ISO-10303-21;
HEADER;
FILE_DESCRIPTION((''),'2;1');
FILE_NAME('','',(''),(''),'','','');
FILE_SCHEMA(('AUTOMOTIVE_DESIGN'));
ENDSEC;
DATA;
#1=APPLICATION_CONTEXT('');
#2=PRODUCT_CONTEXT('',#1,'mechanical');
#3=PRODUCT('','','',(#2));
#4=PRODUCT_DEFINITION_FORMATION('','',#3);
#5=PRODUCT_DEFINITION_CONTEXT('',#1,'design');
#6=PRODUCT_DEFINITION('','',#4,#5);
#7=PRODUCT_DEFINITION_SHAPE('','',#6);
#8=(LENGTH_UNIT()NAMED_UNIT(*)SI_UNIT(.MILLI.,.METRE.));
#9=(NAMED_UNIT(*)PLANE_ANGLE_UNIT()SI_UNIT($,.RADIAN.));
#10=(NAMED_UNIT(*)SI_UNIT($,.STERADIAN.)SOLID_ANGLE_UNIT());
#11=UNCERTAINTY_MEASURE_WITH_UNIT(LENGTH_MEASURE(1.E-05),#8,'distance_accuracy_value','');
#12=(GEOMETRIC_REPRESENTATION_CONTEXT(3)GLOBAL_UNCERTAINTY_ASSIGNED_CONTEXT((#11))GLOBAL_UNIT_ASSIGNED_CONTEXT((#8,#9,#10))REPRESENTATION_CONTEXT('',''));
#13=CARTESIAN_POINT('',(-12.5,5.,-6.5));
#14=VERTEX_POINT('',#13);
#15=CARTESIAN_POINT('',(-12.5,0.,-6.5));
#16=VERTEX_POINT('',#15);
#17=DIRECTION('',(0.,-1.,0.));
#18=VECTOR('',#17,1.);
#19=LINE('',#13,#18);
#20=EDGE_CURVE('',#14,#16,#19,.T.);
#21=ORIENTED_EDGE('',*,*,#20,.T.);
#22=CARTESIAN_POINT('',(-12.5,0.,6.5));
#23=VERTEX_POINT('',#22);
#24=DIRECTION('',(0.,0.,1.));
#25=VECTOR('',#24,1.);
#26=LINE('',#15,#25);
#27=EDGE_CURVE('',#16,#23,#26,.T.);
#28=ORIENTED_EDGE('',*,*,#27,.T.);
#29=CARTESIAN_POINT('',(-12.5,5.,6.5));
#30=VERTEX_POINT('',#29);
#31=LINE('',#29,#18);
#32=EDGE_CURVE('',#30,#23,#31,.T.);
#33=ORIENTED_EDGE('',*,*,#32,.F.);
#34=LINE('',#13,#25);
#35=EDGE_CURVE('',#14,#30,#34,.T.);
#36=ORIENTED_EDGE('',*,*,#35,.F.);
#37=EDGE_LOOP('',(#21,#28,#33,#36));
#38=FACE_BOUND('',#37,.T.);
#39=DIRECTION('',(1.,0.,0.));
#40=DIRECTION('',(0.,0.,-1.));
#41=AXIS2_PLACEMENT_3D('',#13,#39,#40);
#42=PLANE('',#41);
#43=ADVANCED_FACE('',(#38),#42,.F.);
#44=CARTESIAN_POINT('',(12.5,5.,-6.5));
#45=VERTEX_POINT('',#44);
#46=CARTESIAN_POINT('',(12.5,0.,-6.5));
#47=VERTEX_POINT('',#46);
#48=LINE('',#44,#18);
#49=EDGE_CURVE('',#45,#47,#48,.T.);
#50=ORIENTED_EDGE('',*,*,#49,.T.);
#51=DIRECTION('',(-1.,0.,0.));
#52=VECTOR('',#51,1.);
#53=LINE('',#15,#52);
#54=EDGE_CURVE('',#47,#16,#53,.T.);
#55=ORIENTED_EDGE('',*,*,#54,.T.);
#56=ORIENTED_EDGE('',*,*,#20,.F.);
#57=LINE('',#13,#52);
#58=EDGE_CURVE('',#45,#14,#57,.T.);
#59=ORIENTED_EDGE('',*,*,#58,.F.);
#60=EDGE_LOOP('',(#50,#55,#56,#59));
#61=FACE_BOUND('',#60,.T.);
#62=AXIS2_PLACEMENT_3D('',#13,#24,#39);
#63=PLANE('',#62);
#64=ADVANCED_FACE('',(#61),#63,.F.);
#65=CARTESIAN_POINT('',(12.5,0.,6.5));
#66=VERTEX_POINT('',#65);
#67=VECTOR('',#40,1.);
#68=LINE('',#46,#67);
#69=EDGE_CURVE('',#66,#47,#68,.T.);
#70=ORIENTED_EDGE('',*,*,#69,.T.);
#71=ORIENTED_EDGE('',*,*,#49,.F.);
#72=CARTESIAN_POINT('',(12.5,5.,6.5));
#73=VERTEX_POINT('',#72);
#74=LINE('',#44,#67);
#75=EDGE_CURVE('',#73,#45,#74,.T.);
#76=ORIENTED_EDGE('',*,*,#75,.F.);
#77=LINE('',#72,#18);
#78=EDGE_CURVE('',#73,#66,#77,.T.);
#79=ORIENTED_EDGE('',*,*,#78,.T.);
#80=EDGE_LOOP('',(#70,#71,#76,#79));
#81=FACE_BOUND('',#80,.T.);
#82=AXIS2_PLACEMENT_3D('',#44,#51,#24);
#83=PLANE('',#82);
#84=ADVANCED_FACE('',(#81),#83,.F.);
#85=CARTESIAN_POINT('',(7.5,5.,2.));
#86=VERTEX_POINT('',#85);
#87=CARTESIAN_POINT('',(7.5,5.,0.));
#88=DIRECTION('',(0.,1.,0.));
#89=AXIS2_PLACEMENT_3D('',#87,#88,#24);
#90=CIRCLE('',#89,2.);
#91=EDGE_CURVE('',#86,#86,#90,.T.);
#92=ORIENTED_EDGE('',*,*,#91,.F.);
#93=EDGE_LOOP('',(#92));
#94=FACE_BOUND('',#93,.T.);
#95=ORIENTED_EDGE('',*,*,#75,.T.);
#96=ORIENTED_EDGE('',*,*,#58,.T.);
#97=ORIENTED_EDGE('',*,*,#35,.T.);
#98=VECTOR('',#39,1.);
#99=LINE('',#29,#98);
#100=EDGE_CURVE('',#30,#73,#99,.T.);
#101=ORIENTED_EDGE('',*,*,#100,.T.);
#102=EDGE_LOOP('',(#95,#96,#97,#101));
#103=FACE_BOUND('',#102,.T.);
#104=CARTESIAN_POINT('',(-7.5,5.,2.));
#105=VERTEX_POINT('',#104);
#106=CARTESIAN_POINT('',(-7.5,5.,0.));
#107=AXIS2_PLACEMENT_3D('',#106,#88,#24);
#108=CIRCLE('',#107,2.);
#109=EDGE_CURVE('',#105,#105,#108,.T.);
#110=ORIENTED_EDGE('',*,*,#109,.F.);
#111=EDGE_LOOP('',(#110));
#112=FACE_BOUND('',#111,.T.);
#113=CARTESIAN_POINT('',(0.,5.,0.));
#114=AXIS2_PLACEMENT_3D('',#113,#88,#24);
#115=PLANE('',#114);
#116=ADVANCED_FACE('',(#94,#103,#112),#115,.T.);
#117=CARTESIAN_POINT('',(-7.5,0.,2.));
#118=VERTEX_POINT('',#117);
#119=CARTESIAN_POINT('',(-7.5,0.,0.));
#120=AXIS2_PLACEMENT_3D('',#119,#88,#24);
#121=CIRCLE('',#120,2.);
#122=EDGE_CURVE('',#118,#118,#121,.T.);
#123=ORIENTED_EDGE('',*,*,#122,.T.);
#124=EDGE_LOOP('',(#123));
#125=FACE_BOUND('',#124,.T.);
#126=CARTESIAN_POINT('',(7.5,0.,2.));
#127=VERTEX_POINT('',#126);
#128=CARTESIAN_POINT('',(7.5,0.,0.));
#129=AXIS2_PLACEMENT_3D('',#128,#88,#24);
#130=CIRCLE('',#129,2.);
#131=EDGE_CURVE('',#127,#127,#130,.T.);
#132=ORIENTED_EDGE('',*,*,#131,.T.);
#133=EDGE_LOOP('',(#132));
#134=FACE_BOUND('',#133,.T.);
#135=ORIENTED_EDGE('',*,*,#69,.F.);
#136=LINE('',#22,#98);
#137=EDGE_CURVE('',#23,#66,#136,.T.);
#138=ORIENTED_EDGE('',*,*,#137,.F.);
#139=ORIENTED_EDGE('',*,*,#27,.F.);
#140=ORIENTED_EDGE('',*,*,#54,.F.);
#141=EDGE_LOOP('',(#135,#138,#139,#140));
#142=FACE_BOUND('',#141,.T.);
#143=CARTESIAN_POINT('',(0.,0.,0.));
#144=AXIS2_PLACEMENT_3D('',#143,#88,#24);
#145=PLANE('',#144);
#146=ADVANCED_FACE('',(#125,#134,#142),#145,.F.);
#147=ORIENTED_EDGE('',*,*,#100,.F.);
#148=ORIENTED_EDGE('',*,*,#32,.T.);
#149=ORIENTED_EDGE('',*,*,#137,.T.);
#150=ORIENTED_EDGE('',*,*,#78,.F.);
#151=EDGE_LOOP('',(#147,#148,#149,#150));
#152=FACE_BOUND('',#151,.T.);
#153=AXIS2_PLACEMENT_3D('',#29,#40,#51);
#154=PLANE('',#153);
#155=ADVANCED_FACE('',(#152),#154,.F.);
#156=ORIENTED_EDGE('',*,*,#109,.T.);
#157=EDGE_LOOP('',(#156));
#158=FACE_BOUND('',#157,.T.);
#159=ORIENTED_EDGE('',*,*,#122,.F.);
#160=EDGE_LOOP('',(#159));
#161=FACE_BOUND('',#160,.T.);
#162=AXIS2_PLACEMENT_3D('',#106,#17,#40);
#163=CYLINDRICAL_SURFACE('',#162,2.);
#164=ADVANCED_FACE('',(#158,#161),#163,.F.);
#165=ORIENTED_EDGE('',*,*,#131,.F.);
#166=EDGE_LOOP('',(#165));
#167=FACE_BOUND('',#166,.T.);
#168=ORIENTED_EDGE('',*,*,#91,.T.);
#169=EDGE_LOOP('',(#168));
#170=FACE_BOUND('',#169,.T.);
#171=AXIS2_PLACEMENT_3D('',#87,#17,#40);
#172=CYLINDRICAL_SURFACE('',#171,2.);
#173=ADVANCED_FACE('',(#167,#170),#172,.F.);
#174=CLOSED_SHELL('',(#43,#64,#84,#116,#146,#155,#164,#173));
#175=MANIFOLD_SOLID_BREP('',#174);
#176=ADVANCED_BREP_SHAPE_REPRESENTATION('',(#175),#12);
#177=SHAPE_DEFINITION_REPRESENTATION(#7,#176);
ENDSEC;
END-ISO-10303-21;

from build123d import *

# Parameters (mm, degrees)
SKETCH1_W           = 25
SKETCH1_H           = 13
SKETCH1_R           = 2
BOSS_EXTRUDE1_DEPTH = 5


with BuildPart() as part:
    # Sketch1 → Boss-Extrude1 (new body)
    with BuildSketch(Plane(origin=(0, 0, 0), x_dir=(1, 0, 0), z_dir=(0, 1, 0))):
        Rectangle(SKETCH1_W, SKETCH1_H)
        with Locations((-7.5, 0)):
            Circle(SKETCH1_R, mode=Mode.SUBTRACT)
        with Locations((7.5, 0)):
            Circle(SKETCH1_R, mode=Mode.SUBTRACT)
    extrude(amount=BOSS_EXTRUDE1_DEPTH)


solid = part.part
